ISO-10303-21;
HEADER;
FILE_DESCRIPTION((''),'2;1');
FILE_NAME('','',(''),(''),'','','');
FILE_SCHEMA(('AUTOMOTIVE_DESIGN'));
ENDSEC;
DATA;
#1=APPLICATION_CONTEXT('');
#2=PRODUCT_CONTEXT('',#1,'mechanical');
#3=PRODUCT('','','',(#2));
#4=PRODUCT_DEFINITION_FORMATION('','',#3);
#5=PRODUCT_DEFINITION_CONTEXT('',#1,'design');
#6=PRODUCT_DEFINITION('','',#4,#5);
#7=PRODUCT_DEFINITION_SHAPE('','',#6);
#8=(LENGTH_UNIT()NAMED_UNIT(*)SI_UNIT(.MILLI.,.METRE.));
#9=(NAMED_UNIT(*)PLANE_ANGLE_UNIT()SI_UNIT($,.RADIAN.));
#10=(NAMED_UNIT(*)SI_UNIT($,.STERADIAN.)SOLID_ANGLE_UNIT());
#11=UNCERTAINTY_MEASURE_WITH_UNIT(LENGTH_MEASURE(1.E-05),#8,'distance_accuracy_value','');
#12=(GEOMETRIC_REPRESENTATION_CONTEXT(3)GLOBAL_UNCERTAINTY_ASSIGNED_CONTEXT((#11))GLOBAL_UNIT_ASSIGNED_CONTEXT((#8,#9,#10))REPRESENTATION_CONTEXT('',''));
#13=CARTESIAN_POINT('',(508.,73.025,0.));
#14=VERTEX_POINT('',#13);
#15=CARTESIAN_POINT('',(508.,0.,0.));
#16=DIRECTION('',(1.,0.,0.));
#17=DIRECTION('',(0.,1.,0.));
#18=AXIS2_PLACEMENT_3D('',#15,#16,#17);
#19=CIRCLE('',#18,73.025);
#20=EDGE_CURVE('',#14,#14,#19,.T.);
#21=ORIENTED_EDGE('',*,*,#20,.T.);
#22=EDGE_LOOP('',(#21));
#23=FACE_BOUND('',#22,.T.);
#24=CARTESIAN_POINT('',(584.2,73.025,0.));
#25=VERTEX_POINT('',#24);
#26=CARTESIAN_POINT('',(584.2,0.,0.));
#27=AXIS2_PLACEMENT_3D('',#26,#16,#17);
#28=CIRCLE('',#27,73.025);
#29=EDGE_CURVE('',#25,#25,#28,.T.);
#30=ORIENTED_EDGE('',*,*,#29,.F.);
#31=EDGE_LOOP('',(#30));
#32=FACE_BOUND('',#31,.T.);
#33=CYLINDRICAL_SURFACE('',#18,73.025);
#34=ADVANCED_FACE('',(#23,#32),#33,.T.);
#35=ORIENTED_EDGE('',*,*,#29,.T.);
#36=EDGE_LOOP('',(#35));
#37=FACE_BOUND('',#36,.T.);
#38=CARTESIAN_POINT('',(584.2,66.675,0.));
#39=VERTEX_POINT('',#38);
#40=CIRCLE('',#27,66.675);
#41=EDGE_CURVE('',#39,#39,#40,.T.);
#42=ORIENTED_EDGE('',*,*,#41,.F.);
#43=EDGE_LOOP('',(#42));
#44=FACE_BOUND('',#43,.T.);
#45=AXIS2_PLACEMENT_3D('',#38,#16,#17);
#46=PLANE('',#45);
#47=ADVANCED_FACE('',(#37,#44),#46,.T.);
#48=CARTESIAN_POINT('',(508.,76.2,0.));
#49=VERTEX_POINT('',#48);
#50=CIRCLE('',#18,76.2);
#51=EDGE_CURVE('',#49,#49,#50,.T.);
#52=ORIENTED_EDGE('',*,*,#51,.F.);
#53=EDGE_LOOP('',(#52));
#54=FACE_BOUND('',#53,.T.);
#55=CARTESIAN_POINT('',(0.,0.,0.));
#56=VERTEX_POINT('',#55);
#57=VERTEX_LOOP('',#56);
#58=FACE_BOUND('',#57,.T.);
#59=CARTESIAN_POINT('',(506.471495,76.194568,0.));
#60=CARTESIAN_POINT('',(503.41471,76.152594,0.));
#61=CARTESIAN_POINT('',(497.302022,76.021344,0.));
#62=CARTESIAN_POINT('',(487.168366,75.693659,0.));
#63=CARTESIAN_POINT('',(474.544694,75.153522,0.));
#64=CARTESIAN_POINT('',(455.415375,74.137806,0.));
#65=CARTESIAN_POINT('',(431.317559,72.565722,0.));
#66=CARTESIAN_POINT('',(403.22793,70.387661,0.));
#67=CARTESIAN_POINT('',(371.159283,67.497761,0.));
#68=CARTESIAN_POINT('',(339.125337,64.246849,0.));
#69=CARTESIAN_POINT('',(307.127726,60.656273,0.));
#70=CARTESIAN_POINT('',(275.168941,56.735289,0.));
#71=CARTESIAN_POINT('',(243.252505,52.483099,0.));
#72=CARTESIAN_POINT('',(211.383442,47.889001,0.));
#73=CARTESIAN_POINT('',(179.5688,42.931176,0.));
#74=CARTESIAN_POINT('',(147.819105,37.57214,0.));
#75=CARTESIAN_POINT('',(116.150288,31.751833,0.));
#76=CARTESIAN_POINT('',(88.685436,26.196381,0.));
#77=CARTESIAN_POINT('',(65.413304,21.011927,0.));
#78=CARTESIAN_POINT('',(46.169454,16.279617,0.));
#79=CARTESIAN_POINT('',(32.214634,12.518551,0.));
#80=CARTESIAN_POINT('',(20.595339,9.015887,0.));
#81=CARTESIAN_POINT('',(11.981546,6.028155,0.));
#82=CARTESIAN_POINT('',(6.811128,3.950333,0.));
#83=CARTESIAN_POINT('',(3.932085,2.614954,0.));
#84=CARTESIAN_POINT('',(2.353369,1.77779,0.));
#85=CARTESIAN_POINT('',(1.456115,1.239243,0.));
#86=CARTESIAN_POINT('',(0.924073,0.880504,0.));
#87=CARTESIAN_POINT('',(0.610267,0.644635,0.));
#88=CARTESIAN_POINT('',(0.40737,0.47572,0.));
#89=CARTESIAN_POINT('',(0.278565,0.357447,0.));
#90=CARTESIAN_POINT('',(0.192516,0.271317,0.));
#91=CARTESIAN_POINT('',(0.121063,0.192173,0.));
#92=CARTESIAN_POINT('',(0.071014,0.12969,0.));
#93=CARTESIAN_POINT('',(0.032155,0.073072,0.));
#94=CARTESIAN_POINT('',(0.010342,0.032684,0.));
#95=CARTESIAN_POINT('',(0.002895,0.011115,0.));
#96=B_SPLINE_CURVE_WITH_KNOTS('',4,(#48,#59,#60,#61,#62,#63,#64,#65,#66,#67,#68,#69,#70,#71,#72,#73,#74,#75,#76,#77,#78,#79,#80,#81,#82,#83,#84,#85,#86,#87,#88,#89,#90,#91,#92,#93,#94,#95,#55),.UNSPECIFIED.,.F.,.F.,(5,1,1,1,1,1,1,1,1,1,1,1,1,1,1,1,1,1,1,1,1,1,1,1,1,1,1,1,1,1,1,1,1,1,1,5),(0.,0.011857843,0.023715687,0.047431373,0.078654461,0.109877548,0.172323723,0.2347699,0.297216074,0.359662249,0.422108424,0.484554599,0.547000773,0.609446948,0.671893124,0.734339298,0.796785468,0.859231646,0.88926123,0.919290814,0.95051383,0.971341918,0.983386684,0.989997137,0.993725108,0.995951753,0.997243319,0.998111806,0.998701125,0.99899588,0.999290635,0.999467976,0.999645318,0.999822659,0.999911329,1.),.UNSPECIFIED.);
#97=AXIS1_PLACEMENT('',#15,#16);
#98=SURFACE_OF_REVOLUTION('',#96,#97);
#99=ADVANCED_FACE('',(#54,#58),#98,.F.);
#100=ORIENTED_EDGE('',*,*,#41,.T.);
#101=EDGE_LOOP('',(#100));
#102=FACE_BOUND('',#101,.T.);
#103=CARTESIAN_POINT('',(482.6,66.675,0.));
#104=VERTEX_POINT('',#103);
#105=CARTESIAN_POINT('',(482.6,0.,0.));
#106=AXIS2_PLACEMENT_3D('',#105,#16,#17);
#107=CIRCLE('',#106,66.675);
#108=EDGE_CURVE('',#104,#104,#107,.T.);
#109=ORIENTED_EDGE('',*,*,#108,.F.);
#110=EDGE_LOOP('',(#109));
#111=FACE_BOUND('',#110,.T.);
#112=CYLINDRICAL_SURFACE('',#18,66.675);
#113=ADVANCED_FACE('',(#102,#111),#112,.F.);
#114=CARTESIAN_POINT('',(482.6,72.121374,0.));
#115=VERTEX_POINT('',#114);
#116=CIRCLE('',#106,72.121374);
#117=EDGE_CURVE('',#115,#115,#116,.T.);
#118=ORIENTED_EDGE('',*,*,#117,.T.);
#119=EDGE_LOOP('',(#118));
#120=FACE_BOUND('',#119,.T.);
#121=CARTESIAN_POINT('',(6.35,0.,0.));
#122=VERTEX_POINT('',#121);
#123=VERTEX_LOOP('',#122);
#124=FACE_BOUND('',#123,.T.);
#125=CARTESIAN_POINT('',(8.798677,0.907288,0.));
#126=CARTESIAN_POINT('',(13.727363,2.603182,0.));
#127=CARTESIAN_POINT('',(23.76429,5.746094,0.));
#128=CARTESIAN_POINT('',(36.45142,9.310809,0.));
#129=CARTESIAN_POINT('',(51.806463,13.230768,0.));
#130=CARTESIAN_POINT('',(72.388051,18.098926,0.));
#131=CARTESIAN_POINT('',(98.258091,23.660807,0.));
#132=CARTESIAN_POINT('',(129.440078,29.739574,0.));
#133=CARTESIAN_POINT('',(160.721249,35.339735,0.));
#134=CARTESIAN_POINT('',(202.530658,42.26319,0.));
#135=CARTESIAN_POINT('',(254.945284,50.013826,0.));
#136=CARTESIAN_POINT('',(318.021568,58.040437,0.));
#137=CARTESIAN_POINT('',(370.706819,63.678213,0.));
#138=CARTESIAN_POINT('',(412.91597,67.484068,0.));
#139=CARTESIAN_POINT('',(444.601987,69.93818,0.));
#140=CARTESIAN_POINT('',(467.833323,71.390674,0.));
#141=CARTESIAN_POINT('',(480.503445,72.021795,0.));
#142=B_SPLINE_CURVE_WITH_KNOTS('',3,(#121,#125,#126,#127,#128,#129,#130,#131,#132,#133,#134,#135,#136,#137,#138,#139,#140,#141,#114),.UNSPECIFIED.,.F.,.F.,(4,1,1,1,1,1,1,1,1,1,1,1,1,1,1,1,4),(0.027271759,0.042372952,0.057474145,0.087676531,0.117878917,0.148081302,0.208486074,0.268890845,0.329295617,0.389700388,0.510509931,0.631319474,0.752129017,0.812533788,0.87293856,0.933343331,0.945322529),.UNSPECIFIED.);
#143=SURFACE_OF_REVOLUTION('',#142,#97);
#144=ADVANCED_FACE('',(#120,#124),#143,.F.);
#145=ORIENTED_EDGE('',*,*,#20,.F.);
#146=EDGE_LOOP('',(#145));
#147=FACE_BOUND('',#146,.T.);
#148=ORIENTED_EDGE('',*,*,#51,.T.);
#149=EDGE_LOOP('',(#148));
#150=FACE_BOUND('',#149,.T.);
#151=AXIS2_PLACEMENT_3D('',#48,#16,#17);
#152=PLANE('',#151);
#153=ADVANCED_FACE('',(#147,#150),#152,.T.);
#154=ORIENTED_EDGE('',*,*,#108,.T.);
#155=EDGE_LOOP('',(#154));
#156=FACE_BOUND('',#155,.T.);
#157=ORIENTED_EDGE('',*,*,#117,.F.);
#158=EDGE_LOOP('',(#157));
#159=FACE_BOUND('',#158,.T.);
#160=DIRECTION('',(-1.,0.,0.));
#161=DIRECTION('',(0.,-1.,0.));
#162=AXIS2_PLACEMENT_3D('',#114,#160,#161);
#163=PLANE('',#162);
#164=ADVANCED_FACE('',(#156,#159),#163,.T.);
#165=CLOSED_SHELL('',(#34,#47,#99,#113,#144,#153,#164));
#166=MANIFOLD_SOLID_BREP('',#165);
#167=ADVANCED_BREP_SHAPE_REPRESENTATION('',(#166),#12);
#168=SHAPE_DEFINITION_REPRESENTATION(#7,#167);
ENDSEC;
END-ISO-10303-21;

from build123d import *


with BuildPart() as part:
    # Sketch8 → Revolve8 (revolve)
    with BuildSketch(Plane.XY):
        with BuildLine():
            Line((482.6, 72.121373613), (482.6, 66.675))
            Line((482.6, 66.675), (584.2, 66.675))
            Line((584.2, 66.675), (584.2, 73.025))
            Line((584.2, 73.025), (508, 73.025))
            Line((508, 73.025), (508, 76.2))
            add(Edge.make_bspline(
                [(0, 0), (0.002894819, 0.011115155), (0.01034245, 0.032683563), (0.032155098, 0.073071529), (0.071013818, 0.129690141), (0.121062521, 0.192173081), (0.192516213, 0.271316909), (0.278565167, 0.357446844), (0.407369802, 0.475720046), (0.610266758, 0.644634608), (0.924072548, 0.880503514), (1.456114844, 1.239242613), (2.353369073, 1.77779001), (3.932084886, 2.614953974), (6.811128094, 3.950333367), (11.981546295, 6.02815512), (20.595338665, 9.015886771), (32.214634419, 12.518551256), (46.169453784, 16.279617461), (65.413303868, 21.011927392), (88.685436406, 26.196381251), (116.150288019, 31.751833345), (147.819105397, 37.572140277), (179.568799657, 42.931176289), (211.383441581, 47.889000609), (243.252504522, 52.483098583), (275.168941175, 56.735288827), (307.127725566, 60.656273162), (339.125337213, 64.246849075), (371.159282781, 67.497761321), (403.227930278, 70.387661186), (431.317558536, 72.565721954), (455.415374533, 74.137806222), (474.544694142, 75.153522309), (487.168366139, 75.693659471), (497.302022237, 76.021344299), (503.414709527, 76.152594056), (506.471494958, 76.194567579), (508, 76.2)],
                knots=[0, 0, 0, 0, 0, 8.8671e-05, 0.000177341, 0.000354682, 0.000532024, 0.000709365, 0.00100412, 0.001298875, 0.001888194, 0.002756681, 0.004048247, 0.006274892, 0.010002863, 0.016613316, 0.028658082, 0.04948617, 0.080709186, 0.11073877, 0.140768354, 0.203214532, 0.265660702, 0.328106876, 0.390553052, 0.452999227, 0.515445401, 0.577891576, 0.640337751, 0.702783926, 0.7652301, 0.827676277, 0.890122452, 0.921345539, 0.952568627, 0.976284313, 0.988142157, 1, 1, 1, 1, 1], degree=4))
            Line((0, 0), (6.35, 0))
            add(Edge.make_bspline(
                [(6.35, 0), (8.798676823, 0.907287755), (13.72736288, 2.603181979), (23.764289673, 5.746093846), (36.451419919, 9.310808775), (51.806463094, 13.230768343), (72.38805053, 18.098925611), (98.258090877, 23.660806695), (129.440077613, 29.739574434), (160.721248612, 35.339734657), (202.530658258, 42.263190289), (254.945283706, 50.013825987), (318.02156812, 58.040436828), (370.706818604, 63.678212698), (412.91597, 67.484067624), (444.601987404, 69.938180449), (467.833322743, 71.390674128), (480.503445442, 72.021795296), (482.6, 72.121373613)],
                knots=[0.027271759, 0.027271759, 0.027271759, 0.027271759, 0.042372952, 0.057474145, 0.087676531, 0.117878917, 0.148081302, 0.208486074, 0.268890845, 0.329295617, 0.389700388, 0.510509931, 0.631319474, 0.752129017, 0.812533788, 0.87293856, 0.933343331, 0.945322529, 0.945322529, 0.945322529, 0.945322529], degree=3))
        make_face()
    revolve(axis=Axis((508, 0, 0), (-1, 0, 0)))


solid = part.part
